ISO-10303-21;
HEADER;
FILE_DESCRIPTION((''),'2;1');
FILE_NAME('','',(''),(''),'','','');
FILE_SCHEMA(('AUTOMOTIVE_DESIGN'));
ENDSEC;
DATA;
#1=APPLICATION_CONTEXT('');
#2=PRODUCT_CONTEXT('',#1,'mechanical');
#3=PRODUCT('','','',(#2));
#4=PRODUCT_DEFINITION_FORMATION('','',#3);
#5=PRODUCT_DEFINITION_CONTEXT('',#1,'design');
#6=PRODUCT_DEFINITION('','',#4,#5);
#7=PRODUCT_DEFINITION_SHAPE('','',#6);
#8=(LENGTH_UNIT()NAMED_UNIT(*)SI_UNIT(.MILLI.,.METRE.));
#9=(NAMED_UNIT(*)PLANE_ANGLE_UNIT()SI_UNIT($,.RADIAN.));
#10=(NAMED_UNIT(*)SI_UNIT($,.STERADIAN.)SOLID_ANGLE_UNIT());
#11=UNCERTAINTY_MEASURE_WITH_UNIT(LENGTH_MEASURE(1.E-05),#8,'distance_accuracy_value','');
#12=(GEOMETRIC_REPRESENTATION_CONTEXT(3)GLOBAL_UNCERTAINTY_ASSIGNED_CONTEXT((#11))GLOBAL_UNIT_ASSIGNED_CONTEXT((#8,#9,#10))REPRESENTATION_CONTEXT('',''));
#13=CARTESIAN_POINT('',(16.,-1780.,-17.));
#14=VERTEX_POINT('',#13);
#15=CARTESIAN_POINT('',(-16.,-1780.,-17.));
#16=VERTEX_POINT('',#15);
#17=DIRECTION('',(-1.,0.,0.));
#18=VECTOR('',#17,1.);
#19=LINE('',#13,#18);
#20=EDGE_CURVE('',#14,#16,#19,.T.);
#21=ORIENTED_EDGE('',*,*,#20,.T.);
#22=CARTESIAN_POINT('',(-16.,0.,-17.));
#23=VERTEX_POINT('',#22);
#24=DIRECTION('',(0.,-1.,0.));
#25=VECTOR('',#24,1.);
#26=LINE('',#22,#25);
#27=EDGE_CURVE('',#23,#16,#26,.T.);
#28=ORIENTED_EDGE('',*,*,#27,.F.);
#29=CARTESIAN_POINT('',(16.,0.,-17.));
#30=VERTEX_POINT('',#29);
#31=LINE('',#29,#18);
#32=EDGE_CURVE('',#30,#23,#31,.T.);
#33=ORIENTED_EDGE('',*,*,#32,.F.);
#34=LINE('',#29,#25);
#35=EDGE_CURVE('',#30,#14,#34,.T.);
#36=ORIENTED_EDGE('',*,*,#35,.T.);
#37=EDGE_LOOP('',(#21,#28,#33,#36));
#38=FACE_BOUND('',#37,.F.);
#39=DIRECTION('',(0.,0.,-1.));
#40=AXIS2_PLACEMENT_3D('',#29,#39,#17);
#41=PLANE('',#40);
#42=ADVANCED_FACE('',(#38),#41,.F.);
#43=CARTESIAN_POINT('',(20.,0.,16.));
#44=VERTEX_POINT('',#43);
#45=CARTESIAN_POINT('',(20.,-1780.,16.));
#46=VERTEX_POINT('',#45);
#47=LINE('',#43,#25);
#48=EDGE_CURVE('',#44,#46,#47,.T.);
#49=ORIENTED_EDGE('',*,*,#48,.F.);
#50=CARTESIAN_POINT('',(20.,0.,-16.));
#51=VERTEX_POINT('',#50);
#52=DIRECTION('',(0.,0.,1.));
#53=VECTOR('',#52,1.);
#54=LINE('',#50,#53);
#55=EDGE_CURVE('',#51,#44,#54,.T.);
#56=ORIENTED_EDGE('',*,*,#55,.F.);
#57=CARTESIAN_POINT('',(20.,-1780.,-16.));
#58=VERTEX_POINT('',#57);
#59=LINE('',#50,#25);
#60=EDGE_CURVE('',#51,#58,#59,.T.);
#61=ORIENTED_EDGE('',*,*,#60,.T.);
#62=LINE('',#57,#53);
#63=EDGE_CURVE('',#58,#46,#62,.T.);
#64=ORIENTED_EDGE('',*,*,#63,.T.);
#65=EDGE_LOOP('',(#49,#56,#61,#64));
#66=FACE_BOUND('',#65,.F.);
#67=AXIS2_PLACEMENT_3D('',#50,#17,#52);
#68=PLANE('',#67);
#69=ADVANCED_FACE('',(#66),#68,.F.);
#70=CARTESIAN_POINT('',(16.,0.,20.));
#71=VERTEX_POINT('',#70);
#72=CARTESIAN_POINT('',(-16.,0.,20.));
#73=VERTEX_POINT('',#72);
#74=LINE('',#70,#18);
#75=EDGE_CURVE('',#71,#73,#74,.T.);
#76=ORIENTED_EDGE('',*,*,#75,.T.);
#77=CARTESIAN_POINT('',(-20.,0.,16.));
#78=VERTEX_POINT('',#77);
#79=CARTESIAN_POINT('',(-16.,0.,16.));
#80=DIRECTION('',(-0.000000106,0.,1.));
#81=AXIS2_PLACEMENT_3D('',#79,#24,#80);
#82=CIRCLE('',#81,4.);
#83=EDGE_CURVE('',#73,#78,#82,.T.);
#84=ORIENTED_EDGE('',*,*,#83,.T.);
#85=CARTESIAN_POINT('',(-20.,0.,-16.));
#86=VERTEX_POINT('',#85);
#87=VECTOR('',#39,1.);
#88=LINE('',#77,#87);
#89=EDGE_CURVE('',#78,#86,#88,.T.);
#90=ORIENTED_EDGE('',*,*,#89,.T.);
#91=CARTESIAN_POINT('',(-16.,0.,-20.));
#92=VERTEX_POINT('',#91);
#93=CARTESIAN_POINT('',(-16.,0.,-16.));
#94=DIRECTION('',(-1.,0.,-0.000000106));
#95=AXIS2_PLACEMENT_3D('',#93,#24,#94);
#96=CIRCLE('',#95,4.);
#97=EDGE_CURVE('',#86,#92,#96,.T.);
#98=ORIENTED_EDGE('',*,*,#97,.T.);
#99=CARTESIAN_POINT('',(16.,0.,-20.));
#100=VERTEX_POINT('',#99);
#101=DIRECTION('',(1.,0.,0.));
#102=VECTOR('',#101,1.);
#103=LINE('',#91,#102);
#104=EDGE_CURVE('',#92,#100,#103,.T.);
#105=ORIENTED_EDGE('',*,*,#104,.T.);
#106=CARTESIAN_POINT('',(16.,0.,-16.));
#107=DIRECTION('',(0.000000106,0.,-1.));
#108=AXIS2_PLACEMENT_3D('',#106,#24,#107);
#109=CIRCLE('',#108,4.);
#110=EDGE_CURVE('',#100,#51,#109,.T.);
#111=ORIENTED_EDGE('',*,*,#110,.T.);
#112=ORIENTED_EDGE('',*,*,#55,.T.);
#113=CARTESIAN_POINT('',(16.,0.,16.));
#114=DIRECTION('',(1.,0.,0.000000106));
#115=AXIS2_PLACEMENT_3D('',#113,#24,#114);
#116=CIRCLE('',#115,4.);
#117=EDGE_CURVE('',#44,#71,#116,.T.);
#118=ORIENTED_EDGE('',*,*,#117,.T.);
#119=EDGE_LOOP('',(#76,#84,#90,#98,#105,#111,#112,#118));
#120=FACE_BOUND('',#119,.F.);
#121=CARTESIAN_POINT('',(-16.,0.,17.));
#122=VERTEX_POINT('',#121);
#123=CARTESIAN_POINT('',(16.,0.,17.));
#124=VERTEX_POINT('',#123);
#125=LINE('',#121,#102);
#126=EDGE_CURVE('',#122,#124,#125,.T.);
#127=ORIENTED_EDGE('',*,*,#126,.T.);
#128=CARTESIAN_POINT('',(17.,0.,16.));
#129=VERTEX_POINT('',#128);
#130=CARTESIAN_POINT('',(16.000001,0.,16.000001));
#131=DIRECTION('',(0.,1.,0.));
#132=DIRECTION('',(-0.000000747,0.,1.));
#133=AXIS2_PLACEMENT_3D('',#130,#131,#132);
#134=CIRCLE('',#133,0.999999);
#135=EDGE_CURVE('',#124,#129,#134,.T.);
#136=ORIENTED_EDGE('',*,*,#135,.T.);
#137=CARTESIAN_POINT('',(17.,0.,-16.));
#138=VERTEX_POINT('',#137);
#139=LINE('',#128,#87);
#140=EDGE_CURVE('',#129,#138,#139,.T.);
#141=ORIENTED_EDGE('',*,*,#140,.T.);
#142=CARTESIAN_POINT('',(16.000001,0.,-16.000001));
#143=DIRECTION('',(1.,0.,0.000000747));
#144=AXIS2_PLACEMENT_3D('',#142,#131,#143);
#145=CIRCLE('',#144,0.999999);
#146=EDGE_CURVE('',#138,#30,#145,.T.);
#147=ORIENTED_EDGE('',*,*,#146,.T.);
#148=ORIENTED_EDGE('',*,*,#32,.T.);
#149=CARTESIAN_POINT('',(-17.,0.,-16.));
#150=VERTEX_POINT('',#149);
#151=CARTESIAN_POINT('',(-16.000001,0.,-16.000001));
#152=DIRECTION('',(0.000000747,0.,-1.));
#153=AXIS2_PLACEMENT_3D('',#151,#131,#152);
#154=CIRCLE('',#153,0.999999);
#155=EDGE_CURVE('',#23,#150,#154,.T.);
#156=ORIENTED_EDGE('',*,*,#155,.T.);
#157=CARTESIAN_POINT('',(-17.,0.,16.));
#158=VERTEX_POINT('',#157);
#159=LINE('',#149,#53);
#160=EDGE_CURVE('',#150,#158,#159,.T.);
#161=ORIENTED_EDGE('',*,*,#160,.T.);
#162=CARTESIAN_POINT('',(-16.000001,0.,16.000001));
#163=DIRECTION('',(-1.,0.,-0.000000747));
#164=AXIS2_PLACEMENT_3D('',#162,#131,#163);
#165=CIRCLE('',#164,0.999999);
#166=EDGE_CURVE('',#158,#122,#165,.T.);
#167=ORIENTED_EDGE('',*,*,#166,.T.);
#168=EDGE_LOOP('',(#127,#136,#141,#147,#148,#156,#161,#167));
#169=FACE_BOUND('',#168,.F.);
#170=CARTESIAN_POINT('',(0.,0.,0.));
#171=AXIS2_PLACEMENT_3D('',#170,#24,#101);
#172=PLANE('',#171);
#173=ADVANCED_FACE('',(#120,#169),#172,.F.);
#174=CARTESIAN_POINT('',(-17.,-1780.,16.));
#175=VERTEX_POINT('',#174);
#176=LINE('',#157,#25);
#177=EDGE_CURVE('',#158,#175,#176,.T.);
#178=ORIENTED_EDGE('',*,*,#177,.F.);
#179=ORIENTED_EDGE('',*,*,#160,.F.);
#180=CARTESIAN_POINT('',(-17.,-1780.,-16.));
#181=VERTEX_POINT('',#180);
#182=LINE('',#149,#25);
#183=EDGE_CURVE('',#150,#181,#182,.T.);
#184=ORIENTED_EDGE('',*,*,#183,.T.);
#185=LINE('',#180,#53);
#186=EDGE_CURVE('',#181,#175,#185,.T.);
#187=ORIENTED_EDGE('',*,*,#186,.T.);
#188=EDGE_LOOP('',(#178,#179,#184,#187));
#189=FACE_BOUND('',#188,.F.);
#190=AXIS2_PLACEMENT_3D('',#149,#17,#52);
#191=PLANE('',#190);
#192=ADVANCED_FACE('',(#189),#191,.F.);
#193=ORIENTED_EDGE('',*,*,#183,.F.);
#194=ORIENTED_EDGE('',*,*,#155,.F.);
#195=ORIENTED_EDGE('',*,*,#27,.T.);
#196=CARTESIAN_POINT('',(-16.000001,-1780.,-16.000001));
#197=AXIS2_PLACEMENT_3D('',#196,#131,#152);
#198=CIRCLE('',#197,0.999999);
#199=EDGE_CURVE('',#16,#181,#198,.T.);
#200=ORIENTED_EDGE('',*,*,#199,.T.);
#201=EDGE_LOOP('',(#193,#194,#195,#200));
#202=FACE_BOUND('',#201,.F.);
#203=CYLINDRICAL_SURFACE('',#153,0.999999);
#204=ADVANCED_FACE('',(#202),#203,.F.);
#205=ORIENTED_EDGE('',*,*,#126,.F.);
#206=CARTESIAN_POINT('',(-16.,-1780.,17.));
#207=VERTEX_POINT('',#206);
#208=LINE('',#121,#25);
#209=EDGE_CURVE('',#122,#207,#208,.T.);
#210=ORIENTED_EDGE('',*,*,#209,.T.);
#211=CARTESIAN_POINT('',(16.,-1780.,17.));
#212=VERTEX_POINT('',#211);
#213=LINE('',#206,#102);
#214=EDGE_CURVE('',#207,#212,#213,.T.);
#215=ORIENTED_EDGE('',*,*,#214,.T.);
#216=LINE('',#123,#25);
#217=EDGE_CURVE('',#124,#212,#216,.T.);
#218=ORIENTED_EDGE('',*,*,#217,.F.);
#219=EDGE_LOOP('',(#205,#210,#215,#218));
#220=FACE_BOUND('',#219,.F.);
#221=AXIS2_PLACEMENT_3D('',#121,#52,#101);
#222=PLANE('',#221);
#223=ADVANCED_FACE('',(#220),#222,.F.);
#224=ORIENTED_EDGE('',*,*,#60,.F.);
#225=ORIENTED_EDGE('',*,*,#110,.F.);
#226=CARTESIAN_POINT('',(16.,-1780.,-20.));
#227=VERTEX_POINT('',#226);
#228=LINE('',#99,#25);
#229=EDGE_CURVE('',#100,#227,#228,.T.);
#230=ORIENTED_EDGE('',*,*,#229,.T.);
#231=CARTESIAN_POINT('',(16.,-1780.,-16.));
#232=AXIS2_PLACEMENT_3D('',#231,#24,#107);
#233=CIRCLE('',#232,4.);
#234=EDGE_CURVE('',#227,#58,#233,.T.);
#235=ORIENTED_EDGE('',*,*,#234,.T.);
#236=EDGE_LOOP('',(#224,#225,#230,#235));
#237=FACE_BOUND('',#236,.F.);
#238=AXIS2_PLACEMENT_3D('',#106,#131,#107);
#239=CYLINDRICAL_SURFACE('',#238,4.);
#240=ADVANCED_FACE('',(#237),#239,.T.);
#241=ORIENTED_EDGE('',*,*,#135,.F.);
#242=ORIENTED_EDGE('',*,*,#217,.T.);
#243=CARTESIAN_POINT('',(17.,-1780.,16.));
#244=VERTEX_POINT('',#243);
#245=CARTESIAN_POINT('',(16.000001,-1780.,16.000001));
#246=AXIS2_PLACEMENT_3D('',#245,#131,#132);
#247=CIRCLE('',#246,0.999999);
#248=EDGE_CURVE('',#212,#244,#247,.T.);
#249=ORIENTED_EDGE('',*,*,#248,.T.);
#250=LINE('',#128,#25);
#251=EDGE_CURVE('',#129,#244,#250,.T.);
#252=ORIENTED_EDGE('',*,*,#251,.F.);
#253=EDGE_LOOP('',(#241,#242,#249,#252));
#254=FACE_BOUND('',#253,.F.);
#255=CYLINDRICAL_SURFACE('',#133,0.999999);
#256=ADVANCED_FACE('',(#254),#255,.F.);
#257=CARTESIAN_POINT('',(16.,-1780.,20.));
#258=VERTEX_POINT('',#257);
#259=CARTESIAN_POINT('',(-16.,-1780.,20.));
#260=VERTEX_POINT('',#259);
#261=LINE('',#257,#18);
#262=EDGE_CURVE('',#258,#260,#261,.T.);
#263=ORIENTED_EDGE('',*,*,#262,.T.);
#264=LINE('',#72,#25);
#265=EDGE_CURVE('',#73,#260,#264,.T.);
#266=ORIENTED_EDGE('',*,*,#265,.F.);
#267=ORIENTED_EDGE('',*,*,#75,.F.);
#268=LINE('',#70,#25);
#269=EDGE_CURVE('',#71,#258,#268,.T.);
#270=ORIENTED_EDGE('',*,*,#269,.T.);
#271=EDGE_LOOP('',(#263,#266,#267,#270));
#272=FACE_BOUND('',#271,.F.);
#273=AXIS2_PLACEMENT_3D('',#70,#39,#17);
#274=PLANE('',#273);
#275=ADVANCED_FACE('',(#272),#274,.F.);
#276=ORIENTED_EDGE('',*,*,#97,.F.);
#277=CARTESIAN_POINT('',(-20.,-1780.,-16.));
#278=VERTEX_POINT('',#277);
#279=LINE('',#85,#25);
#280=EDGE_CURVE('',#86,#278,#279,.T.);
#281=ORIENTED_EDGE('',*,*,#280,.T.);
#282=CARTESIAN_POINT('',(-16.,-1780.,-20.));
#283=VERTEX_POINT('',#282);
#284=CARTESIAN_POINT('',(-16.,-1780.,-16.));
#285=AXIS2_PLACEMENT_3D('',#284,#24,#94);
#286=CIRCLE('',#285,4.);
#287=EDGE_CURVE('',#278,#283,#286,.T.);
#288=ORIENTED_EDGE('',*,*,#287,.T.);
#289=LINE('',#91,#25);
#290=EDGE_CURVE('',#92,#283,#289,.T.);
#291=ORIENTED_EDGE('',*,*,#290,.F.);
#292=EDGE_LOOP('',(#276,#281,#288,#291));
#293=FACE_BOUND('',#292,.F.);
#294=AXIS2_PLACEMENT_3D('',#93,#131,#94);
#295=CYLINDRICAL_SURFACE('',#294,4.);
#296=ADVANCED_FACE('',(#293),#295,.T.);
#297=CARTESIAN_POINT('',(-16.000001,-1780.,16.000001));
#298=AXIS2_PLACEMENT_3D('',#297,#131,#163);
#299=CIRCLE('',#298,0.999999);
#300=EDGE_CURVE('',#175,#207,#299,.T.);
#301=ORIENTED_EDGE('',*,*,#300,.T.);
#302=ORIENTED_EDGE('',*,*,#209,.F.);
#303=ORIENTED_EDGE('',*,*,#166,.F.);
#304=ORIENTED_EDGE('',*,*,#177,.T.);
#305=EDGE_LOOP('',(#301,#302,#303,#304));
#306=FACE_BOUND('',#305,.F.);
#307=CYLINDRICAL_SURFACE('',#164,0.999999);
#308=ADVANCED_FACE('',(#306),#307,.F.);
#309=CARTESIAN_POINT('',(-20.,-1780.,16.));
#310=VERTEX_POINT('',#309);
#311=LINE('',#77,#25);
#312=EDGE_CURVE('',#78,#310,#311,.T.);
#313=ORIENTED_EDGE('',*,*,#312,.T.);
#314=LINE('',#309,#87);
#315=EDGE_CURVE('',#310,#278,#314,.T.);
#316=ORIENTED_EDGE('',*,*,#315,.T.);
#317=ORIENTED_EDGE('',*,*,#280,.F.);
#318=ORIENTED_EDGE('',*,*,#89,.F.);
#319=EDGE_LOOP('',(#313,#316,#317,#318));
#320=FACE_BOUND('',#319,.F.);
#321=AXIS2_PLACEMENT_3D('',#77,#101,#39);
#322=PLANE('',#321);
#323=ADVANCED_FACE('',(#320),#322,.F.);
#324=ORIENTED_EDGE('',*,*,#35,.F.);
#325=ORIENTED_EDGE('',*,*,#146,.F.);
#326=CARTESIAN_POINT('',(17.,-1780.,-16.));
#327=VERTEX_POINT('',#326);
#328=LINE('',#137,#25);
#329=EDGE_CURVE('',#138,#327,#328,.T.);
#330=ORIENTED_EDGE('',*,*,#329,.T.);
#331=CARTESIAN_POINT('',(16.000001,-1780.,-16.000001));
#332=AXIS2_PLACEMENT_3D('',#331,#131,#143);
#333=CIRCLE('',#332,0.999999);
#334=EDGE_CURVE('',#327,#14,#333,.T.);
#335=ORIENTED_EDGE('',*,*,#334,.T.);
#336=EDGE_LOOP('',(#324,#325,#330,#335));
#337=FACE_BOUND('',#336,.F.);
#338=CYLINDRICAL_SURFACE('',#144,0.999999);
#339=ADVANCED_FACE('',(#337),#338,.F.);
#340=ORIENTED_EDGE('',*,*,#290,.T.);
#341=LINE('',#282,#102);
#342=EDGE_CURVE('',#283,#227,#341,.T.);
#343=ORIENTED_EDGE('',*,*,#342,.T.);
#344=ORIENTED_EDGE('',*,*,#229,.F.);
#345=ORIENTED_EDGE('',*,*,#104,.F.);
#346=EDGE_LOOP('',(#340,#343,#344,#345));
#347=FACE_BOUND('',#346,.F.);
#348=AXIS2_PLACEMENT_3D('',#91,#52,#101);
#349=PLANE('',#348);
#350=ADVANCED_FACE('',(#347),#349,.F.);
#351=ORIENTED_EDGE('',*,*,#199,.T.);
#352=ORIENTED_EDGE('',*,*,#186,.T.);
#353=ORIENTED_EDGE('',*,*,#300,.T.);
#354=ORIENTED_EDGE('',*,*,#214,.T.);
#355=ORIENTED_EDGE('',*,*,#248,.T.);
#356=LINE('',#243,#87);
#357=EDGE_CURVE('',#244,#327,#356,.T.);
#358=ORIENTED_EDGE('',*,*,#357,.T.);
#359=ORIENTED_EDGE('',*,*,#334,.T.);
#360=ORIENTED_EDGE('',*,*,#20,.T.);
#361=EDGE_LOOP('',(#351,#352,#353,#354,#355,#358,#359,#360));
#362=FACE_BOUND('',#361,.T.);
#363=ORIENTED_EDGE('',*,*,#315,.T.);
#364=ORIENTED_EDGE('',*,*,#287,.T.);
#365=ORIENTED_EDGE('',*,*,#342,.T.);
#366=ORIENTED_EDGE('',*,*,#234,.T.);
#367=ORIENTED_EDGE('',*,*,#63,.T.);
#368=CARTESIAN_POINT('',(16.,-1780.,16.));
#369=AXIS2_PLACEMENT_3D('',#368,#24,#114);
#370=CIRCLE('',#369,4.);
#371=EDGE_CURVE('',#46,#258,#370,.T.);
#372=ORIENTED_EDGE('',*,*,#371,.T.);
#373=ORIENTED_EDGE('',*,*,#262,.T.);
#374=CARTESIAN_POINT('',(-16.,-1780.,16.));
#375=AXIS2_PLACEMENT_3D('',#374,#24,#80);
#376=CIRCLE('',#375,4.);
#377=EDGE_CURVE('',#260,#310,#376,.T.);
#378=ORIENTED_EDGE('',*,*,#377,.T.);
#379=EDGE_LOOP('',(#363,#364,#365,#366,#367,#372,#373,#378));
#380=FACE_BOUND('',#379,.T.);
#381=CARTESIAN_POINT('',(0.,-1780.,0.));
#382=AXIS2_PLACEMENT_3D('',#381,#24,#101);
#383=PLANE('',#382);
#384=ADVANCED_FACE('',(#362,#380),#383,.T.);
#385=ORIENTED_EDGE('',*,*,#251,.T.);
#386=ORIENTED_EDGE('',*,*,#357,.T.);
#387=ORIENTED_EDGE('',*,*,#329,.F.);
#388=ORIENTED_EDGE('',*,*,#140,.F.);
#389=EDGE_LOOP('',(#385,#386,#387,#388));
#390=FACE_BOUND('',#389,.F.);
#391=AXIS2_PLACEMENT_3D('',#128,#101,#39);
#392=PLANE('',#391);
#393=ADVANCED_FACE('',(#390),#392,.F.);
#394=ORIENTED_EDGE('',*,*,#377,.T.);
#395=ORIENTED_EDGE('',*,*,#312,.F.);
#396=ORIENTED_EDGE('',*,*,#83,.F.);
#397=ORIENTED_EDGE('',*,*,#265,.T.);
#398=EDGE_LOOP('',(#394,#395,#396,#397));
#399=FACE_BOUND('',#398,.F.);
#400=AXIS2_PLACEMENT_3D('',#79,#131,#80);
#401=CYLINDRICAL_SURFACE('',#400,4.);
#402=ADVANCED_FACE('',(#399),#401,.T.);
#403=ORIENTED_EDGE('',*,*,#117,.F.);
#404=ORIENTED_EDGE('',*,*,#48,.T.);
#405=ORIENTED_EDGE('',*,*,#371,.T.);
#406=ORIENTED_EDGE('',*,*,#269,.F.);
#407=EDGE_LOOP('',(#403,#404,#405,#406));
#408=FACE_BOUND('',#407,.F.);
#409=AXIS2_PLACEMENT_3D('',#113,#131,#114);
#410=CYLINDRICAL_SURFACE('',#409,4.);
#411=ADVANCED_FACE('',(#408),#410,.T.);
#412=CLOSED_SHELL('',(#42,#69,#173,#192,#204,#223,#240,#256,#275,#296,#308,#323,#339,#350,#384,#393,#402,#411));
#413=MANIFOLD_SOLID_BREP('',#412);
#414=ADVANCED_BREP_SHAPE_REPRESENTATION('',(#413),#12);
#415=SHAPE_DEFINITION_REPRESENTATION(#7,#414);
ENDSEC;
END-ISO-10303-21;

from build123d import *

# Parameters (mm, degrees)
F1_DEPTH = 1780


with BuildPart() as f1:
    # F0 (on Front) → F1 (new body)
    with BuildSketch(Plane.XZ):
        with BuildLine():
            ThreePointArc((20, 16), (18.828427, 18.828427), (16, 20))
            Line((16, 20), (-16, 20))
            ThreePointArc((-16, 20), (-18.828427, 18.828427), (-20, 16))
            Line((-20, 16), (-20, -16))
            ThreePointArc((-20, -16), (-18.828427, -18.828427), (-16, -20))
            Line((-16, -20), (16, -20))
            ThreePointArc((16, -20), (18.828427, -18.828427), (20, -16))
            Line((20, -16), (20, 16))
        make_face()
        with BuildLine():
            Line((-16, 17), (16, 17))
            ThreePointArc((16, 17), (16.707107, 16.707107), (17, 16))
            Line((17, 16), (17, -16))
            ThreePointArc((17, -16), (16.707107, -16.707107), (16, -17))
            Line((16, -17), (-16, -17))
            ThreePointArc((-16, -17), (-16.707107, -16.707107), (-17, -16))
            Line((-17, -16), (-17, 16))
            ThreePointArc((-17, 16), (-16.707107, 16.707107), (-16, 17))
        make_face(mode=Mode.SUBTRACT)
    extrude(amount=F1_DEPTH)


solid = f1.part
